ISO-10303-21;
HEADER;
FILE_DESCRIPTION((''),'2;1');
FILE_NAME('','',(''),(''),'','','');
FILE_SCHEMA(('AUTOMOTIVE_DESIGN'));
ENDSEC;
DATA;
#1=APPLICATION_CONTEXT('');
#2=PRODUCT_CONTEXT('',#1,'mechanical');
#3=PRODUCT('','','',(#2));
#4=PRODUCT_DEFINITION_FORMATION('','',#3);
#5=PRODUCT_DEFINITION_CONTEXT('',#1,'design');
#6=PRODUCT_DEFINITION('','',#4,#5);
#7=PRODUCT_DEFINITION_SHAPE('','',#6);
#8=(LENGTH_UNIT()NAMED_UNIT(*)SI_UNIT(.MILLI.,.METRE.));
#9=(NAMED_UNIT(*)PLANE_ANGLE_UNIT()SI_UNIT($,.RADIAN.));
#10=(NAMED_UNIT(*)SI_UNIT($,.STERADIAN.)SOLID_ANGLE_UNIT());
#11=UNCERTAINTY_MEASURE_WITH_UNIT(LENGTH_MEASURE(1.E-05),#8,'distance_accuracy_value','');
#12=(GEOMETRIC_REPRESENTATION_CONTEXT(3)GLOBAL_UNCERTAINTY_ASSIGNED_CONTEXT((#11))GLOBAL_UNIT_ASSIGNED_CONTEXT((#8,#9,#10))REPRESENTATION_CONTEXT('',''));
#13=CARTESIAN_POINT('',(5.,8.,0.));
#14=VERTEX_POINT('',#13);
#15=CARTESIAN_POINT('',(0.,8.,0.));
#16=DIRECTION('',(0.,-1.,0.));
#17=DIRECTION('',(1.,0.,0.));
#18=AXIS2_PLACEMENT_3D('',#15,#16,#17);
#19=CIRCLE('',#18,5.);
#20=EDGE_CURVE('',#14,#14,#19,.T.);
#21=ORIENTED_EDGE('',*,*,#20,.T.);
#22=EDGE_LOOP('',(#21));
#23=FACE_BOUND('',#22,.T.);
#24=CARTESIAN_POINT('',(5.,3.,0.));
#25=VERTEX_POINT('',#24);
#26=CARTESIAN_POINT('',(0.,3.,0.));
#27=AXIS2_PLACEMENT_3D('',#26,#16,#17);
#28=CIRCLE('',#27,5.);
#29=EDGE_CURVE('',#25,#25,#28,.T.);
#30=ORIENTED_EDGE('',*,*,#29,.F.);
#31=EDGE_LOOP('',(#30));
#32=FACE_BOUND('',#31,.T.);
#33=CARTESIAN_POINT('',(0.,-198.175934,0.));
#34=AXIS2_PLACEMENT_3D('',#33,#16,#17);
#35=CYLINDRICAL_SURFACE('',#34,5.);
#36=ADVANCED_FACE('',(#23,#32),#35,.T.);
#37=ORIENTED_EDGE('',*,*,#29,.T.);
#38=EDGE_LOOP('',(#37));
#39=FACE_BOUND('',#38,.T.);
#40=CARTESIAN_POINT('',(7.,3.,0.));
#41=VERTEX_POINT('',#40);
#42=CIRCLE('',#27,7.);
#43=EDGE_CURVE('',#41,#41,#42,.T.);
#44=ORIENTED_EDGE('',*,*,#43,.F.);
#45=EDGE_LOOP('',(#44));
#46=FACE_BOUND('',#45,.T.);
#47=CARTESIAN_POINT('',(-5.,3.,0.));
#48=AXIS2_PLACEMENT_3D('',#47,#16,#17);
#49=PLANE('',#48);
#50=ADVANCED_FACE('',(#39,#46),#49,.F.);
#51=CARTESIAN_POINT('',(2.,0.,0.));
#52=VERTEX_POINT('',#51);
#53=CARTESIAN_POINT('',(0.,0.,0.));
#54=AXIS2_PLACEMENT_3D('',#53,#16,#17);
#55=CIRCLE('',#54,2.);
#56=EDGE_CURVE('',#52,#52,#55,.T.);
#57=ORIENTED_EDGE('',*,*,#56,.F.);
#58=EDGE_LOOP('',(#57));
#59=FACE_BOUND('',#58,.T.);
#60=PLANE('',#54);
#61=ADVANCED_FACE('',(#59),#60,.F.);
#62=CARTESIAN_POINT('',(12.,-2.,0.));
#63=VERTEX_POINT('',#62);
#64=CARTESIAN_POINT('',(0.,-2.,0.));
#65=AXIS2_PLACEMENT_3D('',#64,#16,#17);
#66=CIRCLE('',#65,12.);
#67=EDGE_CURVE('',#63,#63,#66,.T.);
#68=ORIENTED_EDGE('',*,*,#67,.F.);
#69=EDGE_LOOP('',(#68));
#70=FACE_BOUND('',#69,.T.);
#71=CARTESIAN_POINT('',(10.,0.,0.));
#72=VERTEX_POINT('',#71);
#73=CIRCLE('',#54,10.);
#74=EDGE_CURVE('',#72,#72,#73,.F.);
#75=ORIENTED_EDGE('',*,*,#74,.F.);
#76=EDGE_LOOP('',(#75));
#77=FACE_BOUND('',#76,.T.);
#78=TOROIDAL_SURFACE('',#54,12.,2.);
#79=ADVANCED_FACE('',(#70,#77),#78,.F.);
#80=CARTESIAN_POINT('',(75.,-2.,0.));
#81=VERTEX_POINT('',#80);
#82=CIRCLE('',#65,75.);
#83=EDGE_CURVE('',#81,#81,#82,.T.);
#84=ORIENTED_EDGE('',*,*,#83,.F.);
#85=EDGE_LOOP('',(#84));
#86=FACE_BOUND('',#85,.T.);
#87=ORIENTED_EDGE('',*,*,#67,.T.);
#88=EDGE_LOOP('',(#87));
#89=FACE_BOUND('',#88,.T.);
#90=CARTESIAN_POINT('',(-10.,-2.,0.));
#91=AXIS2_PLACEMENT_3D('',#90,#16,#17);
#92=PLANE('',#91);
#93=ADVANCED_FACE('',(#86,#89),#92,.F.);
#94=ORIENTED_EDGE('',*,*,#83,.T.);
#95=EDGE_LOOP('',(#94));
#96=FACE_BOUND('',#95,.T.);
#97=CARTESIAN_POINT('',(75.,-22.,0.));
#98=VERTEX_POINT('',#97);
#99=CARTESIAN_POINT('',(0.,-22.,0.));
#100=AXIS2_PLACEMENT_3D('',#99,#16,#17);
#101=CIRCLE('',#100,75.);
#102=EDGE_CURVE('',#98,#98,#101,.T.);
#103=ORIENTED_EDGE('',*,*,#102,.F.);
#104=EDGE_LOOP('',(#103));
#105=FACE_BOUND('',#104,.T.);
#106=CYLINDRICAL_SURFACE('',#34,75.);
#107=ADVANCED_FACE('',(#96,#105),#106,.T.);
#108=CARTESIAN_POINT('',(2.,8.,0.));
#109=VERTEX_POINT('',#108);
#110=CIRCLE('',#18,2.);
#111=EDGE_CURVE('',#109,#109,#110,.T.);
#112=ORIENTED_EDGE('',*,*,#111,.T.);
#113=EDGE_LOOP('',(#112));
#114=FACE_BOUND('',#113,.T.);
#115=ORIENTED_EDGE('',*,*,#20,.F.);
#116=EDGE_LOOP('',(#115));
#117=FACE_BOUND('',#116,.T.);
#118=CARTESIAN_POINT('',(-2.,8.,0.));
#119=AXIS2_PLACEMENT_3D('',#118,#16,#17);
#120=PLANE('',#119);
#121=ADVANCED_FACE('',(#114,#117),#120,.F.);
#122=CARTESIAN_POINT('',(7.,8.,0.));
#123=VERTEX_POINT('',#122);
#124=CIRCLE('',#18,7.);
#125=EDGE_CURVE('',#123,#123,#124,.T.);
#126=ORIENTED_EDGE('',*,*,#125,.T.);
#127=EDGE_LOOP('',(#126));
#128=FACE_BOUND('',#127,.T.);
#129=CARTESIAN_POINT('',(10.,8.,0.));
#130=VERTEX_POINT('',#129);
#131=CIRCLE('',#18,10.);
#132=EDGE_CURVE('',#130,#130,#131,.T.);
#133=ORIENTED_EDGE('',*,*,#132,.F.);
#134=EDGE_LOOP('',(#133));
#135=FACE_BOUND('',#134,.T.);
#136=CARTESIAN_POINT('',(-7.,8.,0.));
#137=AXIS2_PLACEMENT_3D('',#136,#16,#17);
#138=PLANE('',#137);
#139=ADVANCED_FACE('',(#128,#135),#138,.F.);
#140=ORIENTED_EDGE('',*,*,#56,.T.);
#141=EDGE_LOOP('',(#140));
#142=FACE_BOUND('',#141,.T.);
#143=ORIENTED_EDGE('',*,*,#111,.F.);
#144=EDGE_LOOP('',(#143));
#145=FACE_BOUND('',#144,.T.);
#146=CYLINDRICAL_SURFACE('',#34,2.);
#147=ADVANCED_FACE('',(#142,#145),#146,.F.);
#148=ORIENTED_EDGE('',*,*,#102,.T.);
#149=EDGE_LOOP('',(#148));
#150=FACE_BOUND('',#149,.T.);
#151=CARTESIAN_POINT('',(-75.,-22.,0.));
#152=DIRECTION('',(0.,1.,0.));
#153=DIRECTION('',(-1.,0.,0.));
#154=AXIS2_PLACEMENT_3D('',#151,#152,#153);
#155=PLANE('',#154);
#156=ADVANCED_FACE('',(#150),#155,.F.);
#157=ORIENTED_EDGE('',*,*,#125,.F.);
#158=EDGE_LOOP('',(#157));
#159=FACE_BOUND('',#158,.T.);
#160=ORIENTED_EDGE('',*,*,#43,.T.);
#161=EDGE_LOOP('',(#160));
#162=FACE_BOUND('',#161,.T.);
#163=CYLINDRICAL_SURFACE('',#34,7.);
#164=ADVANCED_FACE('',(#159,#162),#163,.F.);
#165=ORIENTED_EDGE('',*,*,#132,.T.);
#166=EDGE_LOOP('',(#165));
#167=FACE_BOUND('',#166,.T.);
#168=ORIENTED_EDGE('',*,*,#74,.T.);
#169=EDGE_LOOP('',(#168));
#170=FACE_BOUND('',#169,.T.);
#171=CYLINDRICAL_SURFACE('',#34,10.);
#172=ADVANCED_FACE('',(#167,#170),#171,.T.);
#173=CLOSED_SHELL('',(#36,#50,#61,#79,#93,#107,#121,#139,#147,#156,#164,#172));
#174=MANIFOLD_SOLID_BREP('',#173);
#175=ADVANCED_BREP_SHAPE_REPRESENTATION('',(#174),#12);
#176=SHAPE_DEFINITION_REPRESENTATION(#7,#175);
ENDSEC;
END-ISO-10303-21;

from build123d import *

# Parameters (mm, degrees)
FILLET_1_R = 2


with BuildPart() as part:
    # 草图1 → 旋转1 (revolve)
    with BuildSketch(Plane.XY, mode=Mode.PRIVATE) as revolve_1_sk:
        Polygon((0, 0), (-2, 0), (-2, 8), (-5, 8), (-5, 3), (-7, 3), (-7, 8), (-10, 8), (-10, -2), (-75, -2), (-75, -22), (0, -22), align=None)
    revolve(revolve_1_sk.sketch.rotate(Axis((0, -198.175933826, 0), (0, 1, 0)), 180), axis=Axis((0, -198.175933826, 0), (0, 1, 0)))

    # 圆角1
    fillet_1_edges = [part.edges().sort_by_distance(p)[0] for p in [
        (-10, -2, 0),
    ]]
    fillet(fillet_1_edges, radius=FILLET_1_R)


solid = part.part
